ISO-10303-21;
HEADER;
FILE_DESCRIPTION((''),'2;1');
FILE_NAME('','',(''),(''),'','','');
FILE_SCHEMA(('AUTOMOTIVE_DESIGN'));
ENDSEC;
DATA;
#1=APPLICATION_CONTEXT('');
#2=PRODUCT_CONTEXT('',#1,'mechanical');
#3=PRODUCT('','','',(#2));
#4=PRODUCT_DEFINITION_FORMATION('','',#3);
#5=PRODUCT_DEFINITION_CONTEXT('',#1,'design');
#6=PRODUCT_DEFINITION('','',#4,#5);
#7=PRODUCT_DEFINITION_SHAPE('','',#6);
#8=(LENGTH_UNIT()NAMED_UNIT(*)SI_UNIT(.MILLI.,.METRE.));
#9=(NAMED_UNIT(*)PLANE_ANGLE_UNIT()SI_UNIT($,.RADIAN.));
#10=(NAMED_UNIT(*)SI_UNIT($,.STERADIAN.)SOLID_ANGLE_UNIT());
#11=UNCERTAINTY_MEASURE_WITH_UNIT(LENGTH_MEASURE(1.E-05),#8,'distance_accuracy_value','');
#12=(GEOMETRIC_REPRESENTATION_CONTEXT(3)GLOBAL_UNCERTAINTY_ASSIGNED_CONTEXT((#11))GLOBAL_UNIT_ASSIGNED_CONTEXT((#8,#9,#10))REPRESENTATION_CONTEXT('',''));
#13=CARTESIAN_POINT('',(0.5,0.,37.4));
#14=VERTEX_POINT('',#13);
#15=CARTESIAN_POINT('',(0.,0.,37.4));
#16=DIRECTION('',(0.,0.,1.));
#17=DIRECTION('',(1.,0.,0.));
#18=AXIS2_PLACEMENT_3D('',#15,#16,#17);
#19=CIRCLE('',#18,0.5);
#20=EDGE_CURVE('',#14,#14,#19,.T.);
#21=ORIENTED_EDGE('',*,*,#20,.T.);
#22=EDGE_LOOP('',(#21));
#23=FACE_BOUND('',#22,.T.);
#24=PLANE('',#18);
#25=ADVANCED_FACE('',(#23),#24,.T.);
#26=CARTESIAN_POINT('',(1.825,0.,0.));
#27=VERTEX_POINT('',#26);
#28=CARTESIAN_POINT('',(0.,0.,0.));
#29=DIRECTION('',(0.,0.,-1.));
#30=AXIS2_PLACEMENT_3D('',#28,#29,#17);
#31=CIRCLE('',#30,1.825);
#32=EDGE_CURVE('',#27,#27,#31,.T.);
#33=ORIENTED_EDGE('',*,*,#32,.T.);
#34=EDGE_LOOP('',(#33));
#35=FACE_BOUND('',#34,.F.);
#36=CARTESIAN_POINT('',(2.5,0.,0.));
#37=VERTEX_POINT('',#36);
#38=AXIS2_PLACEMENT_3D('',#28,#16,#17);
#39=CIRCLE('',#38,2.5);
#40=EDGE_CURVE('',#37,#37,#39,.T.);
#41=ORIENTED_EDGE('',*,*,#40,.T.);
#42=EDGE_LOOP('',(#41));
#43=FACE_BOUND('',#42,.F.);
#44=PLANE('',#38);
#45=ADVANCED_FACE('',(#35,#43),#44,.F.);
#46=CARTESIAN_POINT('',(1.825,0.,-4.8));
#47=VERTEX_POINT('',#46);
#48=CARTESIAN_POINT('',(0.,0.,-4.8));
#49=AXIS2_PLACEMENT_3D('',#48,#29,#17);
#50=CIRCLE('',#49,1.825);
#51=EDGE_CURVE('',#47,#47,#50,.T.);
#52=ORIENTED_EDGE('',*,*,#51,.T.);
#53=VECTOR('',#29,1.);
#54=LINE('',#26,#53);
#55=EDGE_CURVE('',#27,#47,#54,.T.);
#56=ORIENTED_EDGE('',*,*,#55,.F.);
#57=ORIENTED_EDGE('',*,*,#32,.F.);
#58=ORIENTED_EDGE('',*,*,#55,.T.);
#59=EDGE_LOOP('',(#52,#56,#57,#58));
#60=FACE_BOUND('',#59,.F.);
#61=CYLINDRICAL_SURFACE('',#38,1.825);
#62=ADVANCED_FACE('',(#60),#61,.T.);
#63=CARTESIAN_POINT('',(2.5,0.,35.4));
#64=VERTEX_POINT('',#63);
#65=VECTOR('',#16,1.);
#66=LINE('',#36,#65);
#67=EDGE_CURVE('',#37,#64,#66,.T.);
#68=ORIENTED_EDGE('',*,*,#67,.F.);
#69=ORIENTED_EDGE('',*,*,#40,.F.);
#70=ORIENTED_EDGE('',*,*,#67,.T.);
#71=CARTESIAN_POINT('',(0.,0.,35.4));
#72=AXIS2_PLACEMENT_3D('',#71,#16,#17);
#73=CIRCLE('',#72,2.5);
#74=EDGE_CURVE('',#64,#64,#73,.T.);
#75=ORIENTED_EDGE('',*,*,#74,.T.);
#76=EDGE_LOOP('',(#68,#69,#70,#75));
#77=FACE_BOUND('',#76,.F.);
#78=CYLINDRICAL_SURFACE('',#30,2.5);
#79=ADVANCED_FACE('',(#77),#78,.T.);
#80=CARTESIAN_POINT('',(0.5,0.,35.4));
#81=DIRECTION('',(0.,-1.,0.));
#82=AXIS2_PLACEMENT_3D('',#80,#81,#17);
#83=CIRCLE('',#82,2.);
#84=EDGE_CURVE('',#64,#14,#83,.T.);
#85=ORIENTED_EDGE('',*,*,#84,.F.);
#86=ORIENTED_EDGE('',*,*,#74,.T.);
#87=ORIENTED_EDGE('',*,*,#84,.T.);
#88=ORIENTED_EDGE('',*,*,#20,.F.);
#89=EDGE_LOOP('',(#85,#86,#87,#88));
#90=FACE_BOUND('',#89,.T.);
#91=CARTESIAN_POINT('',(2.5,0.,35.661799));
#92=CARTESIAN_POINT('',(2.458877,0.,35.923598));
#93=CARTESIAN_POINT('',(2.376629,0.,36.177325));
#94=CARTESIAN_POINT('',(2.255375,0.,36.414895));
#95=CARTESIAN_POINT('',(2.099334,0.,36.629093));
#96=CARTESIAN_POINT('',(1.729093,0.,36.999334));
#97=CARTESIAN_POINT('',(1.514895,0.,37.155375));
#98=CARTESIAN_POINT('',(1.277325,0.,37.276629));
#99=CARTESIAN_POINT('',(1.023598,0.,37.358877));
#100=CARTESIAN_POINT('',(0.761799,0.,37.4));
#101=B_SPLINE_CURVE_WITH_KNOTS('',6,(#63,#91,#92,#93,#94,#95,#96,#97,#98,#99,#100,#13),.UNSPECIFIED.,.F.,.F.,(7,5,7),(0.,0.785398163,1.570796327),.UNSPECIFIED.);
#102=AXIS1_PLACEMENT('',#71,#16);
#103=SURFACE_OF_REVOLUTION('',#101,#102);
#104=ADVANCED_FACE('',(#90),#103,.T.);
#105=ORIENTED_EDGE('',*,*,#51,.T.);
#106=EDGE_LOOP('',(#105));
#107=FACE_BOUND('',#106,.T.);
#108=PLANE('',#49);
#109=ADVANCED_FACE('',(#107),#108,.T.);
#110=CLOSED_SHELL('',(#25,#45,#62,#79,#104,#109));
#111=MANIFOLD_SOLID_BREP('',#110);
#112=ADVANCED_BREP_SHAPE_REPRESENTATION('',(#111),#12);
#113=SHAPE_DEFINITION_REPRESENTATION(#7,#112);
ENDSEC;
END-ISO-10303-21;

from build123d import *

# Parameters (mm, degrees)
F0_R     = 2.5
F1_DEPTH = 37.4
F2_R     = 2
F3_R     = 1.825
F4_DEPTH = 4.8


with BuildPart() as f1:
    # F0 (on Top) → F1 (new body)
    with BuildSketch(Plane.XY):
        Circle(F0_R)
    extrude(amount=F1_DEPTH)

    # F2
    f2_edges = [f1.edges().sort_by_distance(p)[0] for p in [
        (-2.5, 0, 37.4),
    ]]
    fillet(f2_edges, radius=F2_R)

    # F3 (on face) → F4 (join)
    with BuildSketch(Plane(origin=(0, 0, 0), x_dir=(1, 0, 0), z_dir=(0, 0, -1))):
        Circle(F3_R)
    extrude(amount=F4_DEPTH)


solid = f1.part
